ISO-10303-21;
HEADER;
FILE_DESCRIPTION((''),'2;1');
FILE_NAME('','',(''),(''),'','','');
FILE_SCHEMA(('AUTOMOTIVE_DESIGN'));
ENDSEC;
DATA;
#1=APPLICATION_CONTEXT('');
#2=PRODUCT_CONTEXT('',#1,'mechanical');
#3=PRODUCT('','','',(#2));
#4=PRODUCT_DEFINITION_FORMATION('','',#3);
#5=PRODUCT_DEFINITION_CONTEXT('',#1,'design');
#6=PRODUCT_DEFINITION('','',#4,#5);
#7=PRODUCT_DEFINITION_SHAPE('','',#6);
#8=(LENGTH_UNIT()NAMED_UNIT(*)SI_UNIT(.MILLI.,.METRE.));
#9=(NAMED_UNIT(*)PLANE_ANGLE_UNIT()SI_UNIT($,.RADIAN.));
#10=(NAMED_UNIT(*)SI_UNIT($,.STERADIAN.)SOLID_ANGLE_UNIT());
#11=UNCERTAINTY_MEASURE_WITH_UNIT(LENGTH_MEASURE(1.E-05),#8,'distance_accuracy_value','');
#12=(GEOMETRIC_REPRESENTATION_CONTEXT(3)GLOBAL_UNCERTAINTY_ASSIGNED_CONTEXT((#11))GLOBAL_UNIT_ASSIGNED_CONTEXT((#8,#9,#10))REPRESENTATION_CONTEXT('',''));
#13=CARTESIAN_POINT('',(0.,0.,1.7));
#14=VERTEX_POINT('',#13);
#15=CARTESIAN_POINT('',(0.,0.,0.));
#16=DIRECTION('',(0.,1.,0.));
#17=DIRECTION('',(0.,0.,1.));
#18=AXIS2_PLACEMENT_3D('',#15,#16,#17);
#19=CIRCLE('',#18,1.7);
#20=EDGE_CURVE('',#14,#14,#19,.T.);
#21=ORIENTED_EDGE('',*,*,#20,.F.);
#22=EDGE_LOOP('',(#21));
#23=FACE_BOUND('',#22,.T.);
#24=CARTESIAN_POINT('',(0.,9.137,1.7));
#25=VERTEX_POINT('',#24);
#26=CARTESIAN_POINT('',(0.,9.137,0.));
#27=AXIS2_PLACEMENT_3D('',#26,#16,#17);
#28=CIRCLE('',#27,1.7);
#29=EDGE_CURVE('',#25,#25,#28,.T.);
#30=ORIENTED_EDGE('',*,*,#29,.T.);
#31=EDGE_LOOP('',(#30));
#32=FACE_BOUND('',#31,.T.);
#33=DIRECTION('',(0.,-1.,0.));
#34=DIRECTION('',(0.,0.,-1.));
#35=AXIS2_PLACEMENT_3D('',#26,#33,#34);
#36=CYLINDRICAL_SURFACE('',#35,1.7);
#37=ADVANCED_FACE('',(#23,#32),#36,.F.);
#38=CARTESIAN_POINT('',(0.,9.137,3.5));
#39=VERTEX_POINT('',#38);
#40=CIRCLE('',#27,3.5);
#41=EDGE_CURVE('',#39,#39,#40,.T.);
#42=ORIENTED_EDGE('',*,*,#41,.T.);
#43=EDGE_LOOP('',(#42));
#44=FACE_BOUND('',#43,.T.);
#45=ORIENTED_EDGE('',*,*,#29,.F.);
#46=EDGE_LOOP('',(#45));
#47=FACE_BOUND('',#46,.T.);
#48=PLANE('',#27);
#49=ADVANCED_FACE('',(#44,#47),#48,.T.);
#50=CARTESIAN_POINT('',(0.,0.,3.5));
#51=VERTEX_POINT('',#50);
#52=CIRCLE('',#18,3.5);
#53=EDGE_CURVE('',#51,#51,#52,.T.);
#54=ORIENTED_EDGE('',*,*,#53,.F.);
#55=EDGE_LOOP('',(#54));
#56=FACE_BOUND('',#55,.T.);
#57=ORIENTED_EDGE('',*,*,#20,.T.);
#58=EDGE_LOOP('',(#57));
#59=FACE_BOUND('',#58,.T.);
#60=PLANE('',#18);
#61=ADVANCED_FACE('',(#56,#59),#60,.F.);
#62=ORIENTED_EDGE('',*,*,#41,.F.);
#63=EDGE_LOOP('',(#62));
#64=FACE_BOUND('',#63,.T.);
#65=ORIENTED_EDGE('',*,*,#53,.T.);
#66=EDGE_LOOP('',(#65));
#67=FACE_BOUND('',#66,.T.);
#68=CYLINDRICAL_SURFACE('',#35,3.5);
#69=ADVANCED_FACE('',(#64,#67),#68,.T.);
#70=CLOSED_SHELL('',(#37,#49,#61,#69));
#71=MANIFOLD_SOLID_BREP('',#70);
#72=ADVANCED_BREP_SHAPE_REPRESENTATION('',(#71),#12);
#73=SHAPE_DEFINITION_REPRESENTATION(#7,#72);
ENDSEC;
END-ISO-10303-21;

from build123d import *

# Parameters (mm, degrees)
SKETCH1_R           = 3.5
SKETCH1_R_2         = 1.7
BOSS_EXTRUDE1_DEPTH = 9.137


with BuildPart() as part:
    # Sketch1 → Boss-Extrude1 (new body)
    with BuildSketch(Plane(origin=(0, 0, 0), x_dir=(1, 0, 0), z_dir=(0, 1, 0))):
        with Locations(Location((0, 0, 0), (0, 0, 270))):
            Circle(SKETCH1_R)
        with Locations(Location((0, 0, 0), (0, 0, 270))):
            Circle(SKETCH1_R_2, mode=Mode.SUBTRACT)
    extrude(amount=BOSS_EXTRUDE1_DEPTH)


solid = part.part
